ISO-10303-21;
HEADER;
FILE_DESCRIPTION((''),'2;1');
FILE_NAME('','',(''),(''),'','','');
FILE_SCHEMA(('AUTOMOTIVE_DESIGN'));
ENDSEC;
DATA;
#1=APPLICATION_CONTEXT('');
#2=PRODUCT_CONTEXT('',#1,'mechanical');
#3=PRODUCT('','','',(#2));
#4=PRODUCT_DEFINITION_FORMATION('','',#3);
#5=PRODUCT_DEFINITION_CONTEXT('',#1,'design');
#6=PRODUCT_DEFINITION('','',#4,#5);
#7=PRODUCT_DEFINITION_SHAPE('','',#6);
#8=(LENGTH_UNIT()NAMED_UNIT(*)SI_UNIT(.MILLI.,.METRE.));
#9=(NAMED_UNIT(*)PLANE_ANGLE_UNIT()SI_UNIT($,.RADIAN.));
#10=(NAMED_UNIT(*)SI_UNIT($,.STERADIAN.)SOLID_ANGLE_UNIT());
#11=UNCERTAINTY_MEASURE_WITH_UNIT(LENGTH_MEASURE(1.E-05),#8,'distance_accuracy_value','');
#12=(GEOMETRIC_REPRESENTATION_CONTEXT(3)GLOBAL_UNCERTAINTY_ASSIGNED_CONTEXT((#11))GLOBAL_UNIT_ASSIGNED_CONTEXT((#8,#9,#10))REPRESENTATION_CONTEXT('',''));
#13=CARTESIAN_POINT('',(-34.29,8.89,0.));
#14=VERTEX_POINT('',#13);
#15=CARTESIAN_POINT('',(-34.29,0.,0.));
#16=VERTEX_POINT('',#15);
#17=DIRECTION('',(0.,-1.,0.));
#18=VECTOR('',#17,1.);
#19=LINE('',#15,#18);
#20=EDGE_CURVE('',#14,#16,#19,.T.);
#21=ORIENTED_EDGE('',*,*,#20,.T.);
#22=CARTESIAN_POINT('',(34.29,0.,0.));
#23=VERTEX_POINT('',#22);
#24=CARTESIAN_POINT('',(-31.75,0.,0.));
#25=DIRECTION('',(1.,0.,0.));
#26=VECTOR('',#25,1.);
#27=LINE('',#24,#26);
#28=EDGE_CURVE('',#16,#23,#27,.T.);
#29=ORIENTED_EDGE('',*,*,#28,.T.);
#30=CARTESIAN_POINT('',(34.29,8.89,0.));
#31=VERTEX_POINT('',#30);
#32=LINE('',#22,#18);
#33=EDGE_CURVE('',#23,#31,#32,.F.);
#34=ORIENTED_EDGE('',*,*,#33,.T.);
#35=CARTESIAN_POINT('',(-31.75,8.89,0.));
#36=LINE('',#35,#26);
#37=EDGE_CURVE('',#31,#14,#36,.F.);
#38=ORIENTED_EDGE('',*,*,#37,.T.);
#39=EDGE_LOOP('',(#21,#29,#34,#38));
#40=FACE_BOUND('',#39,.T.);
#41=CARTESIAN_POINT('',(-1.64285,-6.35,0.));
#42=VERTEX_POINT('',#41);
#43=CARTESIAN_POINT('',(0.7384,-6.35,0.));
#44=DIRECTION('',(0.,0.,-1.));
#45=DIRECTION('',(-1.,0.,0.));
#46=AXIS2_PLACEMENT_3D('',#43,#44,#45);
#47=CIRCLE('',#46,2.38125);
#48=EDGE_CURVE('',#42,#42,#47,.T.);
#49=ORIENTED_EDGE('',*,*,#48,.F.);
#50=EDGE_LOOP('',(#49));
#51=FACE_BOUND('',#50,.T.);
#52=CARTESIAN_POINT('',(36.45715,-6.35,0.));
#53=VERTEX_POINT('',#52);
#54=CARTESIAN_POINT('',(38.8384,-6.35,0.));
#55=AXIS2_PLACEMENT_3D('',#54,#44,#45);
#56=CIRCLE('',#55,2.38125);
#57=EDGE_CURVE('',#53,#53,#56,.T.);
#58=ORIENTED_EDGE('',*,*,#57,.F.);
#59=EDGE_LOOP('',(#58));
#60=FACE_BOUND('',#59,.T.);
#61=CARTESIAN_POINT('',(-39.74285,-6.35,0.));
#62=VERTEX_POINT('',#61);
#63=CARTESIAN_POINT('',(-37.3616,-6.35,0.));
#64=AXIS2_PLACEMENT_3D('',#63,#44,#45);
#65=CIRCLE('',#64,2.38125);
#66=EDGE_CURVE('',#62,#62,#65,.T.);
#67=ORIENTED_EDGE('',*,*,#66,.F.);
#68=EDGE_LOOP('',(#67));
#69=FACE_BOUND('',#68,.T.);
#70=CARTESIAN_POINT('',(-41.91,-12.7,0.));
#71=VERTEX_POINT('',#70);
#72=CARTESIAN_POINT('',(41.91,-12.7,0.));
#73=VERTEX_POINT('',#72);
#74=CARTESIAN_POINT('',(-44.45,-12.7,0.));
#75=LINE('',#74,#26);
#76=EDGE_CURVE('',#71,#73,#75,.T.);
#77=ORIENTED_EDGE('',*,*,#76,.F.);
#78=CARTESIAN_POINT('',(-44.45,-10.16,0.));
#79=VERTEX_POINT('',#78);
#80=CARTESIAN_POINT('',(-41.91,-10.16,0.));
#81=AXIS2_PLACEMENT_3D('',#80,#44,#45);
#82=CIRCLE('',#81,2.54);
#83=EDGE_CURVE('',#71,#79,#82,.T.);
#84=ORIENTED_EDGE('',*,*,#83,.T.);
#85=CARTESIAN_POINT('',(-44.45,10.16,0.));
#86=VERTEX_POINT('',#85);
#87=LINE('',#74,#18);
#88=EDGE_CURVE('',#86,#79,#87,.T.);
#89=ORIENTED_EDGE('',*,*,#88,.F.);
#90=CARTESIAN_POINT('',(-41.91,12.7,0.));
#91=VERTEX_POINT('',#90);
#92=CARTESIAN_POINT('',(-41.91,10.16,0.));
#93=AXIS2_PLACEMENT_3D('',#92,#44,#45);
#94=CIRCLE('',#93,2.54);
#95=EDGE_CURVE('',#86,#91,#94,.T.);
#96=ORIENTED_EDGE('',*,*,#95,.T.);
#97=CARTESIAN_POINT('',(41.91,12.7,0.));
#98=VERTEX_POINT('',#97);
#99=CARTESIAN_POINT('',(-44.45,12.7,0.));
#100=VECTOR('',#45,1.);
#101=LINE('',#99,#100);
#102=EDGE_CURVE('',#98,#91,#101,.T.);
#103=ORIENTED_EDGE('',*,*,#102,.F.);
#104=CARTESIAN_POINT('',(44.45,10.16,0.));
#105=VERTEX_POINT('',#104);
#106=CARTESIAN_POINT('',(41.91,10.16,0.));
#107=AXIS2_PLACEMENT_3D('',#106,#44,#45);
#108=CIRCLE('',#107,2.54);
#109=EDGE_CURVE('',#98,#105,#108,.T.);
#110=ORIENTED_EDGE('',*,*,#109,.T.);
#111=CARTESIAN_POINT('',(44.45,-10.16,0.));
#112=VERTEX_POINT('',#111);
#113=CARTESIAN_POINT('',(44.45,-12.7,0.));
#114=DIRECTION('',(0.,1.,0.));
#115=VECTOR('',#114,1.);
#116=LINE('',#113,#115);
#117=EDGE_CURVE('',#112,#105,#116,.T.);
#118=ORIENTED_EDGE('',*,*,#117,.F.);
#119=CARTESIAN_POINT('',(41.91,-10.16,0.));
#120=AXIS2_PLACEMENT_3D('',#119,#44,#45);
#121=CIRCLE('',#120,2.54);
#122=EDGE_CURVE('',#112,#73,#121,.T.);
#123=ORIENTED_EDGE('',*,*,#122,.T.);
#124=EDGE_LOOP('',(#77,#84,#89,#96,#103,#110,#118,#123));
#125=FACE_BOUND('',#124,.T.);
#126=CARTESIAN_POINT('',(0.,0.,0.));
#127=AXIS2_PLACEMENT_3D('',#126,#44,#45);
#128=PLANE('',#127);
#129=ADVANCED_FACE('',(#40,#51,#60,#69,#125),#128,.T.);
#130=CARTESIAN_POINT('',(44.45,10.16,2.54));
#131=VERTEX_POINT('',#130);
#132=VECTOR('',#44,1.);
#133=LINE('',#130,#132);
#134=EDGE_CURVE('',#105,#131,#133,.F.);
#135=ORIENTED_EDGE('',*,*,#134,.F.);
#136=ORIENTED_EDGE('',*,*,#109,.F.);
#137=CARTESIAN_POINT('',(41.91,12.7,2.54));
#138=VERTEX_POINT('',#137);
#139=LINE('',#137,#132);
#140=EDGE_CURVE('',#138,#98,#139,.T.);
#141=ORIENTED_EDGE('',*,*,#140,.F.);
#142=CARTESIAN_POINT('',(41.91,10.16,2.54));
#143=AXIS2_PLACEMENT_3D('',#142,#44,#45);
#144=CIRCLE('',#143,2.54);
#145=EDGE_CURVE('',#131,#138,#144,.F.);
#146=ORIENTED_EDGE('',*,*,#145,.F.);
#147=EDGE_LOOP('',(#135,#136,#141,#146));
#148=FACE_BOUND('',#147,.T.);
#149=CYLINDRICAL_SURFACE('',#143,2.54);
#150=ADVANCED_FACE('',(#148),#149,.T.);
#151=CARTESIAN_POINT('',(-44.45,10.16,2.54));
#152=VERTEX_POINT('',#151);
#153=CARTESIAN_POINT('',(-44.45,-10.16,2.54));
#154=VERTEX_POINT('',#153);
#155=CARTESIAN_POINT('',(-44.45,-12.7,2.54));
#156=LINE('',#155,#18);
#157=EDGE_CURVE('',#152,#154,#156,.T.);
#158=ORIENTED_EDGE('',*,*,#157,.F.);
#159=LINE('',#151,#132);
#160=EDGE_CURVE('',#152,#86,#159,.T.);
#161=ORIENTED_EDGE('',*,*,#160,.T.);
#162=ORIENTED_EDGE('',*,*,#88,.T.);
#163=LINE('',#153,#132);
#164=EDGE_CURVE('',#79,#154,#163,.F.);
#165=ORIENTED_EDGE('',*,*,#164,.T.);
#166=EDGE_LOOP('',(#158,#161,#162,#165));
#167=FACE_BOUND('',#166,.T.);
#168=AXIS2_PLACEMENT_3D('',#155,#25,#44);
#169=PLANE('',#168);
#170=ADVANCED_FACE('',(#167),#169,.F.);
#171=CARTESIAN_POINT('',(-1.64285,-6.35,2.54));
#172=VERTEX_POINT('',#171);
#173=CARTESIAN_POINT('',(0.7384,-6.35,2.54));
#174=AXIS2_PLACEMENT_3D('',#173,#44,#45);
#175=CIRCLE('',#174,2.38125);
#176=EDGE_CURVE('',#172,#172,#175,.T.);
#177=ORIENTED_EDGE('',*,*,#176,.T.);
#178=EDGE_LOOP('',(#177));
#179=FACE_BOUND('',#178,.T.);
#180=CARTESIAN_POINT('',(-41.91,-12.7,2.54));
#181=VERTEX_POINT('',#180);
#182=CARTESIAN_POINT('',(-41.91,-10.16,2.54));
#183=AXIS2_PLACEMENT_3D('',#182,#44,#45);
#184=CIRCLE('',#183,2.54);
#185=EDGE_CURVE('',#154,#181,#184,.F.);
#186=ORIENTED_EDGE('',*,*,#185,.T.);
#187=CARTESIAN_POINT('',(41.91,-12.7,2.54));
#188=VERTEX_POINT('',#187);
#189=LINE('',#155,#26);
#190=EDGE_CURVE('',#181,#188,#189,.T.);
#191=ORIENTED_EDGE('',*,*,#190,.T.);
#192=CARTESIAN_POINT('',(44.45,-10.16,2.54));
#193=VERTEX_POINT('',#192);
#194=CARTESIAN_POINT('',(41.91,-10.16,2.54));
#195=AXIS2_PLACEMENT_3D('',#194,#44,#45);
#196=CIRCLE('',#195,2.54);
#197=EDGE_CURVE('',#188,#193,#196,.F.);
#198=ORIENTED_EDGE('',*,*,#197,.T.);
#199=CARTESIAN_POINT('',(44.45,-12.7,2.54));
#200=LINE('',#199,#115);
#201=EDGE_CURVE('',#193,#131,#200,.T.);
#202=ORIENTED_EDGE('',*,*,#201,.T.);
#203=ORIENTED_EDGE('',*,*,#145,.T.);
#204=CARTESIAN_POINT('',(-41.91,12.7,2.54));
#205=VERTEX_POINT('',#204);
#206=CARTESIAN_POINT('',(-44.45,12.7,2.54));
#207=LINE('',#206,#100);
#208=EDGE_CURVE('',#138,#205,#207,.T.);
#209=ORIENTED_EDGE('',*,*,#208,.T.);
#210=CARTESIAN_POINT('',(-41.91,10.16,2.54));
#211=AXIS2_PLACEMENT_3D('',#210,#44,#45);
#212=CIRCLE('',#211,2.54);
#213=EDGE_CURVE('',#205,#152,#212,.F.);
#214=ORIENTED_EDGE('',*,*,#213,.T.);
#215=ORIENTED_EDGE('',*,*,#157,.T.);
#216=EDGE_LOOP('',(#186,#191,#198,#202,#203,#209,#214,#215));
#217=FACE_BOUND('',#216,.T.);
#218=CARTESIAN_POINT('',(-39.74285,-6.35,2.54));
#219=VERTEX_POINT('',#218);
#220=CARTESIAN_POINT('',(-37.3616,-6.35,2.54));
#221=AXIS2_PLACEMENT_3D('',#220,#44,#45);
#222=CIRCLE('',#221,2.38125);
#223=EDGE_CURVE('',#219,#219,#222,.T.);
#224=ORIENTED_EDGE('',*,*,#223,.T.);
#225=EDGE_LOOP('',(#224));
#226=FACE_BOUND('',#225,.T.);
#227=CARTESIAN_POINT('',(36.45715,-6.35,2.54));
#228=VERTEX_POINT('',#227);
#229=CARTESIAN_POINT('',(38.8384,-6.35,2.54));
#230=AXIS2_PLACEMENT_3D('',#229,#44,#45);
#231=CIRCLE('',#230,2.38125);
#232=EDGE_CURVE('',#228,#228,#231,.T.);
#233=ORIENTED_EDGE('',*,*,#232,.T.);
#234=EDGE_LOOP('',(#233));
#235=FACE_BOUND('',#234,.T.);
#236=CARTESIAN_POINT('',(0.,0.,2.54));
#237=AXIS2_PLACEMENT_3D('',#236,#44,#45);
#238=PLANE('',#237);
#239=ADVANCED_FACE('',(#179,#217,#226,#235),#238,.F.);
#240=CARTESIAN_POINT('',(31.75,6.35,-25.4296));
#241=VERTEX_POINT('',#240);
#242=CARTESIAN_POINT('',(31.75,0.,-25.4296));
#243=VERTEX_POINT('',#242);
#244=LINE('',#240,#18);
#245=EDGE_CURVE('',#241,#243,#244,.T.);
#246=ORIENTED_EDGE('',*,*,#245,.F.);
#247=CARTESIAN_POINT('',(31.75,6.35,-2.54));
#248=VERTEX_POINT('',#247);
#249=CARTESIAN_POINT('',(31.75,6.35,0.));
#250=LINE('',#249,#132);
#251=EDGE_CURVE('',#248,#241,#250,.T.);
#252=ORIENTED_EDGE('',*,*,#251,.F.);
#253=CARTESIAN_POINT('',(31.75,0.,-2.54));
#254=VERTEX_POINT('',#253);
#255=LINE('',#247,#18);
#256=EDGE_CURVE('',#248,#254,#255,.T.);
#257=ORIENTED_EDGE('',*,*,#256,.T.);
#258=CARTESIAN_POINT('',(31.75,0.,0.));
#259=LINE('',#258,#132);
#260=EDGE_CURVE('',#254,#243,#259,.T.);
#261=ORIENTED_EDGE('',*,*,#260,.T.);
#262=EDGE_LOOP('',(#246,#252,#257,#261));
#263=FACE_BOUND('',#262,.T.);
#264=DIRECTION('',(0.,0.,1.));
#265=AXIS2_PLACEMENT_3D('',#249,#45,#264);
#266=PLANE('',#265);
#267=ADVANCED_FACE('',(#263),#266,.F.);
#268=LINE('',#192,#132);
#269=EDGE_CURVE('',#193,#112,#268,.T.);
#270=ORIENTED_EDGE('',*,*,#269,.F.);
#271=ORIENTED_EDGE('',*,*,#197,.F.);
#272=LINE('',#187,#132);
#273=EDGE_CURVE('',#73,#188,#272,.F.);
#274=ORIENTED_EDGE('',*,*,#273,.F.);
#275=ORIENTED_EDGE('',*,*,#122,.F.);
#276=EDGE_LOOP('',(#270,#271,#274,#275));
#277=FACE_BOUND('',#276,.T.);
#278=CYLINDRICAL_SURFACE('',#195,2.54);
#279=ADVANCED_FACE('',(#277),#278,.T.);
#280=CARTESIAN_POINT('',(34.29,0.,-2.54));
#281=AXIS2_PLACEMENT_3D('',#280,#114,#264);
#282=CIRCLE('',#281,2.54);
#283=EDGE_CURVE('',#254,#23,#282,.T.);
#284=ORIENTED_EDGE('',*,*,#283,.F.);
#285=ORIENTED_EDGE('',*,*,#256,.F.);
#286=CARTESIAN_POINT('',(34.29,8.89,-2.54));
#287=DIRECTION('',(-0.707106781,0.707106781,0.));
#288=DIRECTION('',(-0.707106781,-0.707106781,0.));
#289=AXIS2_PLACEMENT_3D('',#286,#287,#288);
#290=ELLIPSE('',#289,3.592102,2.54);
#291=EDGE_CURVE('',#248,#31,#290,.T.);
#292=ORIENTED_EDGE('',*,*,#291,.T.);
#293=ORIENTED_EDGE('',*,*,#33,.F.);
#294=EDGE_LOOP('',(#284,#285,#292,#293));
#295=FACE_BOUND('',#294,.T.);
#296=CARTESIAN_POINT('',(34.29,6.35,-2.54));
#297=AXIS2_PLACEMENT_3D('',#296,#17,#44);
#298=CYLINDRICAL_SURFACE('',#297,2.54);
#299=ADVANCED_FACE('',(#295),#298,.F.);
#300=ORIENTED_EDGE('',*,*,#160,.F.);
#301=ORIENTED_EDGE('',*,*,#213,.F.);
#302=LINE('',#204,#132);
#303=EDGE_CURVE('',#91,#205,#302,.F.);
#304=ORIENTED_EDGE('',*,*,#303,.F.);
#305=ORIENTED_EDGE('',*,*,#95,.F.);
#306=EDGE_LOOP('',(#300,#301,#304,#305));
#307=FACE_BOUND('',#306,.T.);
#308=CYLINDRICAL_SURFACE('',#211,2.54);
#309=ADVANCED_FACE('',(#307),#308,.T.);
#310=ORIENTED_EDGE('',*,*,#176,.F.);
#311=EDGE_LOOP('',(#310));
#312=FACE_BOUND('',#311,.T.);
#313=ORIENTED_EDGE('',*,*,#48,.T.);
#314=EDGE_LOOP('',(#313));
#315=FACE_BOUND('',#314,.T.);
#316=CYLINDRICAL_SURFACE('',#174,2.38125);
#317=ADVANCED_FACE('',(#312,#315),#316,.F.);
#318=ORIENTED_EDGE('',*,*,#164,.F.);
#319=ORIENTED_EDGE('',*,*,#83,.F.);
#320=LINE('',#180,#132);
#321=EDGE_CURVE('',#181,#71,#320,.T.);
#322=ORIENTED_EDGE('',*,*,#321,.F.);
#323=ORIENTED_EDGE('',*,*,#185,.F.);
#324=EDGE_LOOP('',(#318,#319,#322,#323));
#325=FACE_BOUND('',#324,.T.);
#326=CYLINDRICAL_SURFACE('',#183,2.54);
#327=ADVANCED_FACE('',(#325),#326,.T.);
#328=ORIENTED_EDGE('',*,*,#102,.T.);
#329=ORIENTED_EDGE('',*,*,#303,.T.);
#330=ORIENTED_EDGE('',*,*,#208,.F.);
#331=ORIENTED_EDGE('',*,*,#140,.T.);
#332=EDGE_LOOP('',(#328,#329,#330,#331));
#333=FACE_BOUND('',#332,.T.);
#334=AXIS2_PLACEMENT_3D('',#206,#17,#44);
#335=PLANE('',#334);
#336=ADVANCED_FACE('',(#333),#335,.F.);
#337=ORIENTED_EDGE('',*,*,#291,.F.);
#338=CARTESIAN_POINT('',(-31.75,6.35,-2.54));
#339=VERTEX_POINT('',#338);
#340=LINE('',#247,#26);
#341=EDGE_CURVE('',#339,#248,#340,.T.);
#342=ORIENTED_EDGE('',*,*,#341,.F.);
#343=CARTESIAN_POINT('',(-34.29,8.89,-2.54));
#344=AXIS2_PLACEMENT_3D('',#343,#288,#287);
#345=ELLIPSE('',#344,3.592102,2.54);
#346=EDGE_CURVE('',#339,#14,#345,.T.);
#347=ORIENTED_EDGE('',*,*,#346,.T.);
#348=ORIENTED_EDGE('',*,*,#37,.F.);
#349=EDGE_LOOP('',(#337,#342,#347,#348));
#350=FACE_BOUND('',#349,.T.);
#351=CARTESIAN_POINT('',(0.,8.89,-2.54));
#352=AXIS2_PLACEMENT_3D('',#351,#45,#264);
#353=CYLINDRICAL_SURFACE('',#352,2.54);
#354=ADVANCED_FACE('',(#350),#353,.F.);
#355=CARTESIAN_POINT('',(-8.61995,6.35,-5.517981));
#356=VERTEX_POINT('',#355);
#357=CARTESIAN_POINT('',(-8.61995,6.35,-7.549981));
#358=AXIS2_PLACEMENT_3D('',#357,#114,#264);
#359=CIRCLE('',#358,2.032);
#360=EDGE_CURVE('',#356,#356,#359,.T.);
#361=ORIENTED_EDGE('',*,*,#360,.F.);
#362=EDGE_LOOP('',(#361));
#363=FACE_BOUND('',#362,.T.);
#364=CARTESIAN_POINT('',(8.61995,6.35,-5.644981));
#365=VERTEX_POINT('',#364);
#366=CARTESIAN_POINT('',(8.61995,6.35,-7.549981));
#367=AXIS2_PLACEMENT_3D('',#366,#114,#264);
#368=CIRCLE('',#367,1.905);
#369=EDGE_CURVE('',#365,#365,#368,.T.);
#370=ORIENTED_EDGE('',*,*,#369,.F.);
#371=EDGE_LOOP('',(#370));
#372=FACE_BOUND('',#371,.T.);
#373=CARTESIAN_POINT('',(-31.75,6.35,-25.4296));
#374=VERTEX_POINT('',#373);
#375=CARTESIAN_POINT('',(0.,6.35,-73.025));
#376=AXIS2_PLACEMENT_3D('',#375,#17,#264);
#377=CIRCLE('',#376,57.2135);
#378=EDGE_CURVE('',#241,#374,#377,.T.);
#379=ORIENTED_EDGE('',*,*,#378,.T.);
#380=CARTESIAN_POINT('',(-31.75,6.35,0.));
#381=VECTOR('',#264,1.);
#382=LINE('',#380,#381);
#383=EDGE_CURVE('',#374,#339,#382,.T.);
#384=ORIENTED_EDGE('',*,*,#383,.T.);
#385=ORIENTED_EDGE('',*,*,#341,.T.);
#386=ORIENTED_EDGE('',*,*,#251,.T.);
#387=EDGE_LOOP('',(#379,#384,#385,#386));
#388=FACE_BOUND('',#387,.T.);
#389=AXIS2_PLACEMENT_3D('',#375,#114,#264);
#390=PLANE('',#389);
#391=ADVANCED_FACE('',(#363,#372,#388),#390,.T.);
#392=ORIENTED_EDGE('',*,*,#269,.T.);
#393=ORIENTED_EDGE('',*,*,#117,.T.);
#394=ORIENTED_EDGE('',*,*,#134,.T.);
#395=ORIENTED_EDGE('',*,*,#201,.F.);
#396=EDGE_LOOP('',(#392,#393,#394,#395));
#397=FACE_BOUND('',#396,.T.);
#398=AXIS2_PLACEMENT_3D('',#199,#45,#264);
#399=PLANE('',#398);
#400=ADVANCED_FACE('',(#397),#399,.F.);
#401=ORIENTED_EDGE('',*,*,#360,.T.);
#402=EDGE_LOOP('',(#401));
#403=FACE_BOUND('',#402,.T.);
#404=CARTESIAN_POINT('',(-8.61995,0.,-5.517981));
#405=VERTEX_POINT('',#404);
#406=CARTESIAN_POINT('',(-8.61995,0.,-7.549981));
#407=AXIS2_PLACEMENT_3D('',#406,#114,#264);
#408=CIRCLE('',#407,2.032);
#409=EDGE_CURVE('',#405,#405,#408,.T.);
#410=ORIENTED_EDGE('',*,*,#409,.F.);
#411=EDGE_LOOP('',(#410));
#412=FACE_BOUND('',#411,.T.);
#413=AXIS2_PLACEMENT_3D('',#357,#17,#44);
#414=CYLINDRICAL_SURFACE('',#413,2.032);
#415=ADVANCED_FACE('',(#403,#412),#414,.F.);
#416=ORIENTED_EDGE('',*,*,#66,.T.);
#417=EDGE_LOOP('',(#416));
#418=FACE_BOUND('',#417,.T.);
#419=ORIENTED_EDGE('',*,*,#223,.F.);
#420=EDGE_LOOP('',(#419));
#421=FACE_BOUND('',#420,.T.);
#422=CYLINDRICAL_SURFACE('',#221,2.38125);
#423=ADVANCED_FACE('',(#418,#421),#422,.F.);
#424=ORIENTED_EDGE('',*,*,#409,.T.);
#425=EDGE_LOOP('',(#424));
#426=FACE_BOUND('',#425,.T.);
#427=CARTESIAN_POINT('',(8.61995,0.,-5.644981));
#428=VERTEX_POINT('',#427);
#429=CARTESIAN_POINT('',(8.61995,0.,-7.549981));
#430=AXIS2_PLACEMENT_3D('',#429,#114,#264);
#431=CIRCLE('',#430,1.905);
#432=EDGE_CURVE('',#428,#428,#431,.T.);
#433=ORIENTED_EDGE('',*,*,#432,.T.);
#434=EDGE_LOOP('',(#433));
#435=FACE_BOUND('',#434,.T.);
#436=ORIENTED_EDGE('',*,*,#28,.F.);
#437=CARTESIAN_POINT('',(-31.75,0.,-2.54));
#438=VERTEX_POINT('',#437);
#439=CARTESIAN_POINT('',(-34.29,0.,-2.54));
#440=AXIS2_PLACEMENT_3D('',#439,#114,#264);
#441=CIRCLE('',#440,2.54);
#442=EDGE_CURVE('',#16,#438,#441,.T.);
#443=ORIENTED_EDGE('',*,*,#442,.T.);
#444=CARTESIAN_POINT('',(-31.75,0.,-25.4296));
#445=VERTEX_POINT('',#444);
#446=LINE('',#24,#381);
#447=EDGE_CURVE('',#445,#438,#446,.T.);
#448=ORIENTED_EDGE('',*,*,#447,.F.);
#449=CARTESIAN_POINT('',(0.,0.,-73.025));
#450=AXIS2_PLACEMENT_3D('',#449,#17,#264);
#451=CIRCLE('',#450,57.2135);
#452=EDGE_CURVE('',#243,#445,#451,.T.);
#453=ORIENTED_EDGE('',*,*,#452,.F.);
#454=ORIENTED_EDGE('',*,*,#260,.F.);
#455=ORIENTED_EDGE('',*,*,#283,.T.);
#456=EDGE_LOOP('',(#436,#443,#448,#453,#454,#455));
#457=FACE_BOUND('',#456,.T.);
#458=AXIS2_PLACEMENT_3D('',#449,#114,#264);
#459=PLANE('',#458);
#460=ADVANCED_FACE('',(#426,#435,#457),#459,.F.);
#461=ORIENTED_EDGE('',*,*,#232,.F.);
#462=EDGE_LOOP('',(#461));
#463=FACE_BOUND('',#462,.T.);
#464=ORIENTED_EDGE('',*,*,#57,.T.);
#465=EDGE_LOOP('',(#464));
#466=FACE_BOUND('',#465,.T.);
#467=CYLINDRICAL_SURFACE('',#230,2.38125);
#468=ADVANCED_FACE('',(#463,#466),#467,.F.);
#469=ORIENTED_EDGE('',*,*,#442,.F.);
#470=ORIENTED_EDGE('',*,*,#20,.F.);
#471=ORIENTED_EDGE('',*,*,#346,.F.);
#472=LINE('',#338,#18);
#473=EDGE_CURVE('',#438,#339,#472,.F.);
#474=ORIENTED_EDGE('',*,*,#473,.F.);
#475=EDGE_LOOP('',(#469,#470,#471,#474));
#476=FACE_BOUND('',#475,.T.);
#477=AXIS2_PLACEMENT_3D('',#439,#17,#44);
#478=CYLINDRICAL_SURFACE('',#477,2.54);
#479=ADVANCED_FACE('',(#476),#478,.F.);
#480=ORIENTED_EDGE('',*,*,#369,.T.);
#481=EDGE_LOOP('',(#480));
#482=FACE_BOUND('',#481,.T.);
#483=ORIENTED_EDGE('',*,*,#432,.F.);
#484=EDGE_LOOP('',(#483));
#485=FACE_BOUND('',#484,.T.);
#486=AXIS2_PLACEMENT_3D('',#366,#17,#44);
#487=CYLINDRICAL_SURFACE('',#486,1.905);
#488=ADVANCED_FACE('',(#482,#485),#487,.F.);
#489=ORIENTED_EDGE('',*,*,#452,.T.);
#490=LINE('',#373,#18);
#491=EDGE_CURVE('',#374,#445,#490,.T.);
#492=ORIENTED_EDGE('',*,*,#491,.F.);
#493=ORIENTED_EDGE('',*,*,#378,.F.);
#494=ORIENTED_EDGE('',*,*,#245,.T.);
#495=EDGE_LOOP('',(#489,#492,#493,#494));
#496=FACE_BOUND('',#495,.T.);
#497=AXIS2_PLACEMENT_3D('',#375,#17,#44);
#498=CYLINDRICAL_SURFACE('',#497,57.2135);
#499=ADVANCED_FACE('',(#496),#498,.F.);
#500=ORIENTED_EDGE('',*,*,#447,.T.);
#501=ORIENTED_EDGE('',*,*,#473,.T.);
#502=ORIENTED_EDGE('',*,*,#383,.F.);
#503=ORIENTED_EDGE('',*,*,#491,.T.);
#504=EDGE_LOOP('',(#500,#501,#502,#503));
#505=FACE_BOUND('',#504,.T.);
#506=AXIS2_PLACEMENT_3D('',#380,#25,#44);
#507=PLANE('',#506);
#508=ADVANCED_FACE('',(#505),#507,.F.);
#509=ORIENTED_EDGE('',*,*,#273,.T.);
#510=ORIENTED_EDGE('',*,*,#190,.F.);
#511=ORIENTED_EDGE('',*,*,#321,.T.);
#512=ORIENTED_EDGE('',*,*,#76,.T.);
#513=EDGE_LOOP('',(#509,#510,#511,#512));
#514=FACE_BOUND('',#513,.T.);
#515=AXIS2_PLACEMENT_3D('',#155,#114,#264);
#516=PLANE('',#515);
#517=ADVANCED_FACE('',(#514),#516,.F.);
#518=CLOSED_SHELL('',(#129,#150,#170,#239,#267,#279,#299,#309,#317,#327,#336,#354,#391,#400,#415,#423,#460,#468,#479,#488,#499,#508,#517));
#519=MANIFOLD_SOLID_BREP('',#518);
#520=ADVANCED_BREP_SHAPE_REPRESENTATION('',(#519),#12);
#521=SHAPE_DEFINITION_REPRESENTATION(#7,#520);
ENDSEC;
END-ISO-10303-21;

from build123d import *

# Parameters (mm, degrees)
SKETCH1_W           = 88.9
SKETCH1_H           = 25.4
BOSS_EXTRUDE1_DEPTH = 2.54
SKETCH2_R           = 2.032
SKETCH2_R_2         = 1.905
BOSS_EXTRUDE2_DEPTH = 6.35
SKETCH3_R           = 2.38125
CUT_EXTRUDE1_DEPTH  = 53.761321688
FILLET1_R           = 2.54


with BuildPart() as part:
    # Sketch1 → Boss-Extrude1 (new body)
    with BuildSketch(Plane.XY):
        Rectangle(SKETCH1_W, SKETCH1_H)
    extrude(amount=BOSS_EXTRUDE1_DEPTH)

    # Sketch2 → Boss-Extrude2 (add)
    with BuildSketch(Plane(origin=(0, 0, 0), x_dir=(1, 0, 0), z_dir=(0, 1, 0))):
        with BuildLine():
            Line((-31.75, 0), (-31.75, 25.429600199))
            ThreePointArc((-31.75, 25.429600199), (0, 15.8115), (31.75, 25.429600199))
            Line((31.75, 25.429600199), (31.75, 0))
            Line((31.75, 0), (0, 0))
            Line((0, 0), (-31.75, 0))
        make_face()
        with Locations(Location((-8.619949734, 7.549981355, 0), (0, 0, 270))):
            Circle(SKETCH2_R, mode=Mode.SUBTRACT)
        with Locations(Location((8.619949734, 7.549981355, 0), (0, 0, 270))):
            Circle(SKETCH2_R_2, mode=Mode.SUBTRACT)
    extrude(amount=BOSS_EXTRUDE2_DEPTH)

    # Sketch3 → Cut-Extrude1 (cut, through all)
    with BuildSketch(Plane(origin=(0, 0, 0), x_dir=(-1, 0, 0), z_dir=(0, 0, -1))):
        with Locations((-38.838399738, -6.35)):
            Circle(SKETCH3_R)
        with Locations((-0.738399738, -6.35)):
            Circle(SKETCH3_R)
        with Locations((37.361600262, -6.35)):
            Circle(SKETCH3_R)
    extrude(amount=-CUT_EXTRUDE1_DEPTH, mode=Mode.SUBTRACT)

    # Fillet1
    fillet1_edges = [part.edges().sort_by_distance(p)[0] for p in [
        (0, 6.35, 0),
        (31.75, 3.175, 0),
        (-31.75, 3.175, 0),
        (44.45, -12.7, 1.27),
        (-44.45, -12.7, 1.27),
        (-44.45, 12.7, 1.27),
        (44.45, 12.7, 1.27),
    ]]
    fillet(fillet1_edges, radius=FILLET1_R)


solid = part.part
